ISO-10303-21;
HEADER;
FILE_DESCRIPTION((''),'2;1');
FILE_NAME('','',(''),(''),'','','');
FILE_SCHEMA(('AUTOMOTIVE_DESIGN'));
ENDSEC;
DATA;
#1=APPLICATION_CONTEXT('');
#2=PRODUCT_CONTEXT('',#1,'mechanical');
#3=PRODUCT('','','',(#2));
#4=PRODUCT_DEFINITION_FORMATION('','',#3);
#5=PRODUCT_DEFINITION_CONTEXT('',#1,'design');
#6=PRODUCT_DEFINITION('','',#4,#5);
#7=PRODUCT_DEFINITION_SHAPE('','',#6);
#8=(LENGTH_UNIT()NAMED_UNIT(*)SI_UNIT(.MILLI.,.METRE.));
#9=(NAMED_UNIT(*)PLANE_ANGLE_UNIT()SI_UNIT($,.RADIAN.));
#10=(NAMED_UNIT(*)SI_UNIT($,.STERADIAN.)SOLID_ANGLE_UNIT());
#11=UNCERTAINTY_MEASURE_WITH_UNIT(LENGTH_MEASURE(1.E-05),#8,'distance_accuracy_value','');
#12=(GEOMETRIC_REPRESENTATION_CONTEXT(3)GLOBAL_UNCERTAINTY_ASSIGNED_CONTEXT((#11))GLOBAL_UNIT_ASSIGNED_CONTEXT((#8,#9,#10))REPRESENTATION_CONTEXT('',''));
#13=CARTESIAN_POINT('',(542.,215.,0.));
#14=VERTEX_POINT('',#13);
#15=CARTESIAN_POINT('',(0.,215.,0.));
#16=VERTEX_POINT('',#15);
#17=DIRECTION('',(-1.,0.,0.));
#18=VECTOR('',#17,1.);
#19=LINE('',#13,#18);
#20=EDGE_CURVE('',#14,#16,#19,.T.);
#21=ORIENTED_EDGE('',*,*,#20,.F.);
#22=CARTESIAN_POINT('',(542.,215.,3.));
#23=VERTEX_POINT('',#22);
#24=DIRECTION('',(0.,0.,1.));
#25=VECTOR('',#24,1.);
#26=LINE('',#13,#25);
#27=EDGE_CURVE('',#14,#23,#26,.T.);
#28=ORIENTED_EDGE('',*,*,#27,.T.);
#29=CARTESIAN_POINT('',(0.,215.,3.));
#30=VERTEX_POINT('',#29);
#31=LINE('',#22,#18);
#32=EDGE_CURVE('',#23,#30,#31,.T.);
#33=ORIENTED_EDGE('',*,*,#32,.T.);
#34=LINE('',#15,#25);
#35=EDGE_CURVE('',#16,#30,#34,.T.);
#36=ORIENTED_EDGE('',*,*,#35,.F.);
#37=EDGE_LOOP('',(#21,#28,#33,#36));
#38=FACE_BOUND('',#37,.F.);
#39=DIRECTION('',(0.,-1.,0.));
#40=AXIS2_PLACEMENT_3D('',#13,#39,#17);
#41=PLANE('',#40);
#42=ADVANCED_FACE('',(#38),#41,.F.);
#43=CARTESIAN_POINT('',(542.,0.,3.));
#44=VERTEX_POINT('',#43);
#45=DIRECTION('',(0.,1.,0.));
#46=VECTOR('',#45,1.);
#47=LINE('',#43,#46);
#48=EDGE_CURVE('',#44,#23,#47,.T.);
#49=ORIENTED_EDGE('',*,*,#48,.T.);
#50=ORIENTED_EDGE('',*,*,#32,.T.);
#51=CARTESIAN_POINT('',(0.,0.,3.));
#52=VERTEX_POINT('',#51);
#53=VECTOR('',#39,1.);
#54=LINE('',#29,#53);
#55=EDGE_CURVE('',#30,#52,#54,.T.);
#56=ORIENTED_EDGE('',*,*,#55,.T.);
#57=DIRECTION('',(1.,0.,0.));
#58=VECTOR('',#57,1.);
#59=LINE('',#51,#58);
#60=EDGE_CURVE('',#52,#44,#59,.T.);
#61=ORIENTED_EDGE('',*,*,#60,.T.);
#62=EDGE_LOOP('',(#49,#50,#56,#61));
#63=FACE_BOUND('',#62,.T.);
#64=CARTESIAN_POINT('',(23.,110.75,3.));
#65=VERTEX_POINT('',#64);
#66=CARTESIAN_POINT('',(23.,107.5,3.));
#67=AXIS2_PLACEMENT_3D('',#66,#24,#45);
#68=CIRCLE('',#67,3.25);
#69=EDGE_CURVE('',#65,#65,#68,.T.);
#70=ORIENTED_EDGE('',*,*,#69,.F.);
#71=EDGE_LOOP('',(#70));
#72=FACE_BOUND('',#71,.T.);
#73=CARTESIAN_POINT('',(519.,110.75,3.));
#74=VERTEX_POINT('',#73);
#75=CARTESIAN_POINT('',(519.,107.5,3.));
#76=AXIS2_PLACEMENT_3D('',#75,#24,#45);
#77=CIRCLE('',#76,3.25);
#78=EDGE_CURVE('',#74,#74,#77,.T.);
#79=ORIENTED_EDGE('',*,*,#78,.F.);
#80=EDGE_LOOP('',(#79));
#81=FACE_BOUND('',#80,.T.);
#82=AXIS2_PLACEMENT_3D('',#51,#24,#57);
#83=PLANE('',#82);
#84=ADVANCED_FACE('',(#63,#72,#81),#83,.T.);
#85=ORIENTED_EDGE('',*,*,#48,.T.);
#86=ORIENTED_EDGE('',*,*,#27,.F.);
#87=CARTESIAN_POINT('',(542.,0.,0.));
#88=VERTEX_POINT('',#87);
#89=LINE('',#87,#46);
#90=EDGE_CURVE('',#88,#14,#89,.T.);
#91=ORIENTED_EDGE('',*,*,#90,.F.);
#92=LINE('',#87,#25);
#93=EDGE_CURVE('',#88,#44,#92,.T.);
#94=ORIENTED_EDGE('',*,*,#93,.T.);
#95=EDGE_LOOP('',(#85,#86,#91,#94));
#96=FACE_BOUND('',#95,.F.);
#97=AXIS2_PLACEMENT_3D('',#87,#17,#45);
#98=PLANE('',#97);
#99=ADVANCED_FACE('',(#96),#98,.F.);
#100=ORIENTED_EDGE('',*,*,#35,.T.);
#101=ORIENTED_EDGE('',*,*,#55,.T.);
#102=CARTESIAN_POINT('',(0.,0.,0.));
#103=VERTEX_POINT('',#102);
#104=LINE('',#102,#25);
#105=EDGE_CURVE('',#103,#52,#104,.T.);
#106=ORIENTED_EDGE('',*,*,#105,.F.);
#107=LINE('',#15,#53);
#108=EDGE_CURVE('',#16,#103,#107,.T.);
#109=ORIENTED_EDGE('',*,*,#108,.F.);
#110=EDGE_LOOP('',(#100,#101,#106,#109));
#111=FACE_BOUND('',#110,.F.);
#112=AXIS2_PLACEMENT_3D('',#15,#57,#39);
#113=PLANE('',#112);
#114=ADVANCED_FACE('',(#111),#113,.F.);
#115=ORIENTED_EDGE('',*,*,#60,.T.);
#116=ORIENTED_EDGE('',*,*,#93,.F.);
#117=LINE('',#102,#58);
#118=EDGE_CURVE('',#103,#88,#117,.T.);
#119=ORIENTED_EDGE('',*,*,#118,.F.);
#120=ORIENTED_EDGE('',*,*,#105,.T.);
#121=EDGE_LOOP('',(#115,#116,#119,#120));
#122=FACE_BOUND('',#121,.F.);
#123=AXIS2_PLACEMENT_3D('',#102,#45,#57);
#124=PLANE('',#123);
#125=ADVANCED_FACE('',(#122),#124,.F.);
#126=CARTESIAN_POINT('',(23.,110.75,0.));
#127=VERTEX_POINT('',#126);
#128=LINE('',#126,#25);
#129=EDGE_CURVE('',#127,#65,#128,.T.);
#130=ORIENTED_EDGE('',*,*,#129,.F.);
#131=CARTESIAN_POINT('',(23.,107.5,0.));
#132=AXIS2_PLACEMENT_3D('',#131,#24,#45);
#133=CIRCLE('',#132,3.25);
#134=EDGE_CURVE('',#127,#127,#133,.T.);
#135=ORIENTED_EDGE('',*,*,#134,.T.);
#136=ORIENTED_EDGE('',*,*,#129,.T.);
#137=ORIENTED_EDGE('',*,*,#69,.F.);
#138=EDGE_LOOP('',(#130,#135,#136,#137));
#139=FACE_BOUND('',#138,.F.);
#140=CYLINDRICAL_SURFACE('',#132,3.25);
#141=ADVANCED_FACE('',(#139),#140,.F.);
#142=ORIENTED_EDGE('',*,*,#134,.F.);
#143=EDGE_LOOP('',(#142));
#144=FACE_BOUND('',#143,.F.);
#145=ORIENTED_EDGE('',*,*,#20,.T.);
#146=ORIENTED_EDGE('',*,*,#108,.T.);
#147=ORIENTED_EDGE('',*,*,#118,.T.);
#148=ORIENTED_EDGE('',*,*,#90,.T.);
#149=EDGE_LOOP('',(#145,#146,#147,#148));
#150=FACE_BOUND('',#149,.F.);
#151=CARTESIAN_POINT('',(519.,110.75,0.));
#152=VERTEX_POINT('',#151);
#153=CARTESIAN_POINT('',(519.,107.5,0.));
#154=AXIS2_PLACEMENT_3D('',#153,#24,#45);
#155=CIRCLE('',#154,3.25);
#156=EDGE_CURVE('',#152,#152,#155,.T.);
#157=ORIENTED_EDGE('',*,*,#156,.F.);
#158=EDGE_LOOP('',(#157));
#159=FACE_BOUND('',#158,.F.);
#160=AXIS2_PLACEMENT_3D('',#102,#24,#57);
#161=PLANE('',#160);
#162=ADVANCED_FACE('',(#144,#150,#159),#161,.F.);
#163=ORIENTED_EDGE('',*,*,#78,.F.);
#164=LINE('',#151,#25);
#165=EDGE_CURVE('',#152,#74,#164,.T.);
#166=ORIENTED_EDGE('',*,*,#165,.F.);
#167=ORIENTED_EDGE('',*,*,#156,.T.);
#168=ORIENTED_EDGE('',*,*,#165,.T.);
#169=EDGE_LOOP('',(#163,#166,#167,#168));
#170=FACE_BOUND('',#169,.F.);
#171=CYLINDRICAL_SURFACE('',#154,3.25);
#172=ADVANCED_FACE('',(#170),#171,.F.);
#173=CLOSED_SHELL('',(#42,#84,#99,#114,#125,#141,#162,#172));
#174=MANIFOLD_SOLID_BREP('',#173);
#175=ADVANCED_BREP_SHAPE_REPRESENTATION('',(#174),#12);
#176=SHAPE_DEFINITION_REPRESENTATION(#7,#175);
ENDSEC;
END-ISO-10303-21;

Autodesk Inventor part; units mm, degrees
ref_plane "YZ Plane" through (0, 0, 0) normal (1, 0, 0) x (0, 1, 0)
ref_plane "XZ Plane" through (0, 0, 0) normal (0, 1, 0) x (-1, 0, 0)
ref_plane "XY Plane" through (0, 0, 0) normal (0, 0, 1) x (1, 0, 0)
sketch "Sketch1" plane through (0, 0, 0) normal (0, 0, 1) x (1, 0, 0)
  line L0 (0, 0) -> (542, 0)
  line L1 (542, 0) -> (542, 215)
  line L2 (542, 215) -> (0, 215)
  line L3 (0, 215) -> (0, 0)
  dimension "d0" = 542
  dimension "d1" = 215
extrude "Extrusion1" add sketch "Sketch1" along normal blind 3
sketch "Sketch2" plane through (0, 0, 0) normal (0, 0, -1) x (-1, 0, 0)
  line L0 (0, 215) -> (0, 0) projected
  line L1 (0, 107.5) -> (-542, 107.5)
  line L2 (-542, 0) -> (-542, 215) projected
  point P0 (-23, 107.5)
  point P1 (-519, 107.5)
  dimension "d4" = 23
  dimension "d5" = 23
hole "Hole1" at (23, 107.5, 0) at (519, 107.5, 0) direction (0, 0, 1) diameter 6.5 end through all
equation "\"d5\" = d4"
properties part number "plate_top_01" material "Polystyrene"
